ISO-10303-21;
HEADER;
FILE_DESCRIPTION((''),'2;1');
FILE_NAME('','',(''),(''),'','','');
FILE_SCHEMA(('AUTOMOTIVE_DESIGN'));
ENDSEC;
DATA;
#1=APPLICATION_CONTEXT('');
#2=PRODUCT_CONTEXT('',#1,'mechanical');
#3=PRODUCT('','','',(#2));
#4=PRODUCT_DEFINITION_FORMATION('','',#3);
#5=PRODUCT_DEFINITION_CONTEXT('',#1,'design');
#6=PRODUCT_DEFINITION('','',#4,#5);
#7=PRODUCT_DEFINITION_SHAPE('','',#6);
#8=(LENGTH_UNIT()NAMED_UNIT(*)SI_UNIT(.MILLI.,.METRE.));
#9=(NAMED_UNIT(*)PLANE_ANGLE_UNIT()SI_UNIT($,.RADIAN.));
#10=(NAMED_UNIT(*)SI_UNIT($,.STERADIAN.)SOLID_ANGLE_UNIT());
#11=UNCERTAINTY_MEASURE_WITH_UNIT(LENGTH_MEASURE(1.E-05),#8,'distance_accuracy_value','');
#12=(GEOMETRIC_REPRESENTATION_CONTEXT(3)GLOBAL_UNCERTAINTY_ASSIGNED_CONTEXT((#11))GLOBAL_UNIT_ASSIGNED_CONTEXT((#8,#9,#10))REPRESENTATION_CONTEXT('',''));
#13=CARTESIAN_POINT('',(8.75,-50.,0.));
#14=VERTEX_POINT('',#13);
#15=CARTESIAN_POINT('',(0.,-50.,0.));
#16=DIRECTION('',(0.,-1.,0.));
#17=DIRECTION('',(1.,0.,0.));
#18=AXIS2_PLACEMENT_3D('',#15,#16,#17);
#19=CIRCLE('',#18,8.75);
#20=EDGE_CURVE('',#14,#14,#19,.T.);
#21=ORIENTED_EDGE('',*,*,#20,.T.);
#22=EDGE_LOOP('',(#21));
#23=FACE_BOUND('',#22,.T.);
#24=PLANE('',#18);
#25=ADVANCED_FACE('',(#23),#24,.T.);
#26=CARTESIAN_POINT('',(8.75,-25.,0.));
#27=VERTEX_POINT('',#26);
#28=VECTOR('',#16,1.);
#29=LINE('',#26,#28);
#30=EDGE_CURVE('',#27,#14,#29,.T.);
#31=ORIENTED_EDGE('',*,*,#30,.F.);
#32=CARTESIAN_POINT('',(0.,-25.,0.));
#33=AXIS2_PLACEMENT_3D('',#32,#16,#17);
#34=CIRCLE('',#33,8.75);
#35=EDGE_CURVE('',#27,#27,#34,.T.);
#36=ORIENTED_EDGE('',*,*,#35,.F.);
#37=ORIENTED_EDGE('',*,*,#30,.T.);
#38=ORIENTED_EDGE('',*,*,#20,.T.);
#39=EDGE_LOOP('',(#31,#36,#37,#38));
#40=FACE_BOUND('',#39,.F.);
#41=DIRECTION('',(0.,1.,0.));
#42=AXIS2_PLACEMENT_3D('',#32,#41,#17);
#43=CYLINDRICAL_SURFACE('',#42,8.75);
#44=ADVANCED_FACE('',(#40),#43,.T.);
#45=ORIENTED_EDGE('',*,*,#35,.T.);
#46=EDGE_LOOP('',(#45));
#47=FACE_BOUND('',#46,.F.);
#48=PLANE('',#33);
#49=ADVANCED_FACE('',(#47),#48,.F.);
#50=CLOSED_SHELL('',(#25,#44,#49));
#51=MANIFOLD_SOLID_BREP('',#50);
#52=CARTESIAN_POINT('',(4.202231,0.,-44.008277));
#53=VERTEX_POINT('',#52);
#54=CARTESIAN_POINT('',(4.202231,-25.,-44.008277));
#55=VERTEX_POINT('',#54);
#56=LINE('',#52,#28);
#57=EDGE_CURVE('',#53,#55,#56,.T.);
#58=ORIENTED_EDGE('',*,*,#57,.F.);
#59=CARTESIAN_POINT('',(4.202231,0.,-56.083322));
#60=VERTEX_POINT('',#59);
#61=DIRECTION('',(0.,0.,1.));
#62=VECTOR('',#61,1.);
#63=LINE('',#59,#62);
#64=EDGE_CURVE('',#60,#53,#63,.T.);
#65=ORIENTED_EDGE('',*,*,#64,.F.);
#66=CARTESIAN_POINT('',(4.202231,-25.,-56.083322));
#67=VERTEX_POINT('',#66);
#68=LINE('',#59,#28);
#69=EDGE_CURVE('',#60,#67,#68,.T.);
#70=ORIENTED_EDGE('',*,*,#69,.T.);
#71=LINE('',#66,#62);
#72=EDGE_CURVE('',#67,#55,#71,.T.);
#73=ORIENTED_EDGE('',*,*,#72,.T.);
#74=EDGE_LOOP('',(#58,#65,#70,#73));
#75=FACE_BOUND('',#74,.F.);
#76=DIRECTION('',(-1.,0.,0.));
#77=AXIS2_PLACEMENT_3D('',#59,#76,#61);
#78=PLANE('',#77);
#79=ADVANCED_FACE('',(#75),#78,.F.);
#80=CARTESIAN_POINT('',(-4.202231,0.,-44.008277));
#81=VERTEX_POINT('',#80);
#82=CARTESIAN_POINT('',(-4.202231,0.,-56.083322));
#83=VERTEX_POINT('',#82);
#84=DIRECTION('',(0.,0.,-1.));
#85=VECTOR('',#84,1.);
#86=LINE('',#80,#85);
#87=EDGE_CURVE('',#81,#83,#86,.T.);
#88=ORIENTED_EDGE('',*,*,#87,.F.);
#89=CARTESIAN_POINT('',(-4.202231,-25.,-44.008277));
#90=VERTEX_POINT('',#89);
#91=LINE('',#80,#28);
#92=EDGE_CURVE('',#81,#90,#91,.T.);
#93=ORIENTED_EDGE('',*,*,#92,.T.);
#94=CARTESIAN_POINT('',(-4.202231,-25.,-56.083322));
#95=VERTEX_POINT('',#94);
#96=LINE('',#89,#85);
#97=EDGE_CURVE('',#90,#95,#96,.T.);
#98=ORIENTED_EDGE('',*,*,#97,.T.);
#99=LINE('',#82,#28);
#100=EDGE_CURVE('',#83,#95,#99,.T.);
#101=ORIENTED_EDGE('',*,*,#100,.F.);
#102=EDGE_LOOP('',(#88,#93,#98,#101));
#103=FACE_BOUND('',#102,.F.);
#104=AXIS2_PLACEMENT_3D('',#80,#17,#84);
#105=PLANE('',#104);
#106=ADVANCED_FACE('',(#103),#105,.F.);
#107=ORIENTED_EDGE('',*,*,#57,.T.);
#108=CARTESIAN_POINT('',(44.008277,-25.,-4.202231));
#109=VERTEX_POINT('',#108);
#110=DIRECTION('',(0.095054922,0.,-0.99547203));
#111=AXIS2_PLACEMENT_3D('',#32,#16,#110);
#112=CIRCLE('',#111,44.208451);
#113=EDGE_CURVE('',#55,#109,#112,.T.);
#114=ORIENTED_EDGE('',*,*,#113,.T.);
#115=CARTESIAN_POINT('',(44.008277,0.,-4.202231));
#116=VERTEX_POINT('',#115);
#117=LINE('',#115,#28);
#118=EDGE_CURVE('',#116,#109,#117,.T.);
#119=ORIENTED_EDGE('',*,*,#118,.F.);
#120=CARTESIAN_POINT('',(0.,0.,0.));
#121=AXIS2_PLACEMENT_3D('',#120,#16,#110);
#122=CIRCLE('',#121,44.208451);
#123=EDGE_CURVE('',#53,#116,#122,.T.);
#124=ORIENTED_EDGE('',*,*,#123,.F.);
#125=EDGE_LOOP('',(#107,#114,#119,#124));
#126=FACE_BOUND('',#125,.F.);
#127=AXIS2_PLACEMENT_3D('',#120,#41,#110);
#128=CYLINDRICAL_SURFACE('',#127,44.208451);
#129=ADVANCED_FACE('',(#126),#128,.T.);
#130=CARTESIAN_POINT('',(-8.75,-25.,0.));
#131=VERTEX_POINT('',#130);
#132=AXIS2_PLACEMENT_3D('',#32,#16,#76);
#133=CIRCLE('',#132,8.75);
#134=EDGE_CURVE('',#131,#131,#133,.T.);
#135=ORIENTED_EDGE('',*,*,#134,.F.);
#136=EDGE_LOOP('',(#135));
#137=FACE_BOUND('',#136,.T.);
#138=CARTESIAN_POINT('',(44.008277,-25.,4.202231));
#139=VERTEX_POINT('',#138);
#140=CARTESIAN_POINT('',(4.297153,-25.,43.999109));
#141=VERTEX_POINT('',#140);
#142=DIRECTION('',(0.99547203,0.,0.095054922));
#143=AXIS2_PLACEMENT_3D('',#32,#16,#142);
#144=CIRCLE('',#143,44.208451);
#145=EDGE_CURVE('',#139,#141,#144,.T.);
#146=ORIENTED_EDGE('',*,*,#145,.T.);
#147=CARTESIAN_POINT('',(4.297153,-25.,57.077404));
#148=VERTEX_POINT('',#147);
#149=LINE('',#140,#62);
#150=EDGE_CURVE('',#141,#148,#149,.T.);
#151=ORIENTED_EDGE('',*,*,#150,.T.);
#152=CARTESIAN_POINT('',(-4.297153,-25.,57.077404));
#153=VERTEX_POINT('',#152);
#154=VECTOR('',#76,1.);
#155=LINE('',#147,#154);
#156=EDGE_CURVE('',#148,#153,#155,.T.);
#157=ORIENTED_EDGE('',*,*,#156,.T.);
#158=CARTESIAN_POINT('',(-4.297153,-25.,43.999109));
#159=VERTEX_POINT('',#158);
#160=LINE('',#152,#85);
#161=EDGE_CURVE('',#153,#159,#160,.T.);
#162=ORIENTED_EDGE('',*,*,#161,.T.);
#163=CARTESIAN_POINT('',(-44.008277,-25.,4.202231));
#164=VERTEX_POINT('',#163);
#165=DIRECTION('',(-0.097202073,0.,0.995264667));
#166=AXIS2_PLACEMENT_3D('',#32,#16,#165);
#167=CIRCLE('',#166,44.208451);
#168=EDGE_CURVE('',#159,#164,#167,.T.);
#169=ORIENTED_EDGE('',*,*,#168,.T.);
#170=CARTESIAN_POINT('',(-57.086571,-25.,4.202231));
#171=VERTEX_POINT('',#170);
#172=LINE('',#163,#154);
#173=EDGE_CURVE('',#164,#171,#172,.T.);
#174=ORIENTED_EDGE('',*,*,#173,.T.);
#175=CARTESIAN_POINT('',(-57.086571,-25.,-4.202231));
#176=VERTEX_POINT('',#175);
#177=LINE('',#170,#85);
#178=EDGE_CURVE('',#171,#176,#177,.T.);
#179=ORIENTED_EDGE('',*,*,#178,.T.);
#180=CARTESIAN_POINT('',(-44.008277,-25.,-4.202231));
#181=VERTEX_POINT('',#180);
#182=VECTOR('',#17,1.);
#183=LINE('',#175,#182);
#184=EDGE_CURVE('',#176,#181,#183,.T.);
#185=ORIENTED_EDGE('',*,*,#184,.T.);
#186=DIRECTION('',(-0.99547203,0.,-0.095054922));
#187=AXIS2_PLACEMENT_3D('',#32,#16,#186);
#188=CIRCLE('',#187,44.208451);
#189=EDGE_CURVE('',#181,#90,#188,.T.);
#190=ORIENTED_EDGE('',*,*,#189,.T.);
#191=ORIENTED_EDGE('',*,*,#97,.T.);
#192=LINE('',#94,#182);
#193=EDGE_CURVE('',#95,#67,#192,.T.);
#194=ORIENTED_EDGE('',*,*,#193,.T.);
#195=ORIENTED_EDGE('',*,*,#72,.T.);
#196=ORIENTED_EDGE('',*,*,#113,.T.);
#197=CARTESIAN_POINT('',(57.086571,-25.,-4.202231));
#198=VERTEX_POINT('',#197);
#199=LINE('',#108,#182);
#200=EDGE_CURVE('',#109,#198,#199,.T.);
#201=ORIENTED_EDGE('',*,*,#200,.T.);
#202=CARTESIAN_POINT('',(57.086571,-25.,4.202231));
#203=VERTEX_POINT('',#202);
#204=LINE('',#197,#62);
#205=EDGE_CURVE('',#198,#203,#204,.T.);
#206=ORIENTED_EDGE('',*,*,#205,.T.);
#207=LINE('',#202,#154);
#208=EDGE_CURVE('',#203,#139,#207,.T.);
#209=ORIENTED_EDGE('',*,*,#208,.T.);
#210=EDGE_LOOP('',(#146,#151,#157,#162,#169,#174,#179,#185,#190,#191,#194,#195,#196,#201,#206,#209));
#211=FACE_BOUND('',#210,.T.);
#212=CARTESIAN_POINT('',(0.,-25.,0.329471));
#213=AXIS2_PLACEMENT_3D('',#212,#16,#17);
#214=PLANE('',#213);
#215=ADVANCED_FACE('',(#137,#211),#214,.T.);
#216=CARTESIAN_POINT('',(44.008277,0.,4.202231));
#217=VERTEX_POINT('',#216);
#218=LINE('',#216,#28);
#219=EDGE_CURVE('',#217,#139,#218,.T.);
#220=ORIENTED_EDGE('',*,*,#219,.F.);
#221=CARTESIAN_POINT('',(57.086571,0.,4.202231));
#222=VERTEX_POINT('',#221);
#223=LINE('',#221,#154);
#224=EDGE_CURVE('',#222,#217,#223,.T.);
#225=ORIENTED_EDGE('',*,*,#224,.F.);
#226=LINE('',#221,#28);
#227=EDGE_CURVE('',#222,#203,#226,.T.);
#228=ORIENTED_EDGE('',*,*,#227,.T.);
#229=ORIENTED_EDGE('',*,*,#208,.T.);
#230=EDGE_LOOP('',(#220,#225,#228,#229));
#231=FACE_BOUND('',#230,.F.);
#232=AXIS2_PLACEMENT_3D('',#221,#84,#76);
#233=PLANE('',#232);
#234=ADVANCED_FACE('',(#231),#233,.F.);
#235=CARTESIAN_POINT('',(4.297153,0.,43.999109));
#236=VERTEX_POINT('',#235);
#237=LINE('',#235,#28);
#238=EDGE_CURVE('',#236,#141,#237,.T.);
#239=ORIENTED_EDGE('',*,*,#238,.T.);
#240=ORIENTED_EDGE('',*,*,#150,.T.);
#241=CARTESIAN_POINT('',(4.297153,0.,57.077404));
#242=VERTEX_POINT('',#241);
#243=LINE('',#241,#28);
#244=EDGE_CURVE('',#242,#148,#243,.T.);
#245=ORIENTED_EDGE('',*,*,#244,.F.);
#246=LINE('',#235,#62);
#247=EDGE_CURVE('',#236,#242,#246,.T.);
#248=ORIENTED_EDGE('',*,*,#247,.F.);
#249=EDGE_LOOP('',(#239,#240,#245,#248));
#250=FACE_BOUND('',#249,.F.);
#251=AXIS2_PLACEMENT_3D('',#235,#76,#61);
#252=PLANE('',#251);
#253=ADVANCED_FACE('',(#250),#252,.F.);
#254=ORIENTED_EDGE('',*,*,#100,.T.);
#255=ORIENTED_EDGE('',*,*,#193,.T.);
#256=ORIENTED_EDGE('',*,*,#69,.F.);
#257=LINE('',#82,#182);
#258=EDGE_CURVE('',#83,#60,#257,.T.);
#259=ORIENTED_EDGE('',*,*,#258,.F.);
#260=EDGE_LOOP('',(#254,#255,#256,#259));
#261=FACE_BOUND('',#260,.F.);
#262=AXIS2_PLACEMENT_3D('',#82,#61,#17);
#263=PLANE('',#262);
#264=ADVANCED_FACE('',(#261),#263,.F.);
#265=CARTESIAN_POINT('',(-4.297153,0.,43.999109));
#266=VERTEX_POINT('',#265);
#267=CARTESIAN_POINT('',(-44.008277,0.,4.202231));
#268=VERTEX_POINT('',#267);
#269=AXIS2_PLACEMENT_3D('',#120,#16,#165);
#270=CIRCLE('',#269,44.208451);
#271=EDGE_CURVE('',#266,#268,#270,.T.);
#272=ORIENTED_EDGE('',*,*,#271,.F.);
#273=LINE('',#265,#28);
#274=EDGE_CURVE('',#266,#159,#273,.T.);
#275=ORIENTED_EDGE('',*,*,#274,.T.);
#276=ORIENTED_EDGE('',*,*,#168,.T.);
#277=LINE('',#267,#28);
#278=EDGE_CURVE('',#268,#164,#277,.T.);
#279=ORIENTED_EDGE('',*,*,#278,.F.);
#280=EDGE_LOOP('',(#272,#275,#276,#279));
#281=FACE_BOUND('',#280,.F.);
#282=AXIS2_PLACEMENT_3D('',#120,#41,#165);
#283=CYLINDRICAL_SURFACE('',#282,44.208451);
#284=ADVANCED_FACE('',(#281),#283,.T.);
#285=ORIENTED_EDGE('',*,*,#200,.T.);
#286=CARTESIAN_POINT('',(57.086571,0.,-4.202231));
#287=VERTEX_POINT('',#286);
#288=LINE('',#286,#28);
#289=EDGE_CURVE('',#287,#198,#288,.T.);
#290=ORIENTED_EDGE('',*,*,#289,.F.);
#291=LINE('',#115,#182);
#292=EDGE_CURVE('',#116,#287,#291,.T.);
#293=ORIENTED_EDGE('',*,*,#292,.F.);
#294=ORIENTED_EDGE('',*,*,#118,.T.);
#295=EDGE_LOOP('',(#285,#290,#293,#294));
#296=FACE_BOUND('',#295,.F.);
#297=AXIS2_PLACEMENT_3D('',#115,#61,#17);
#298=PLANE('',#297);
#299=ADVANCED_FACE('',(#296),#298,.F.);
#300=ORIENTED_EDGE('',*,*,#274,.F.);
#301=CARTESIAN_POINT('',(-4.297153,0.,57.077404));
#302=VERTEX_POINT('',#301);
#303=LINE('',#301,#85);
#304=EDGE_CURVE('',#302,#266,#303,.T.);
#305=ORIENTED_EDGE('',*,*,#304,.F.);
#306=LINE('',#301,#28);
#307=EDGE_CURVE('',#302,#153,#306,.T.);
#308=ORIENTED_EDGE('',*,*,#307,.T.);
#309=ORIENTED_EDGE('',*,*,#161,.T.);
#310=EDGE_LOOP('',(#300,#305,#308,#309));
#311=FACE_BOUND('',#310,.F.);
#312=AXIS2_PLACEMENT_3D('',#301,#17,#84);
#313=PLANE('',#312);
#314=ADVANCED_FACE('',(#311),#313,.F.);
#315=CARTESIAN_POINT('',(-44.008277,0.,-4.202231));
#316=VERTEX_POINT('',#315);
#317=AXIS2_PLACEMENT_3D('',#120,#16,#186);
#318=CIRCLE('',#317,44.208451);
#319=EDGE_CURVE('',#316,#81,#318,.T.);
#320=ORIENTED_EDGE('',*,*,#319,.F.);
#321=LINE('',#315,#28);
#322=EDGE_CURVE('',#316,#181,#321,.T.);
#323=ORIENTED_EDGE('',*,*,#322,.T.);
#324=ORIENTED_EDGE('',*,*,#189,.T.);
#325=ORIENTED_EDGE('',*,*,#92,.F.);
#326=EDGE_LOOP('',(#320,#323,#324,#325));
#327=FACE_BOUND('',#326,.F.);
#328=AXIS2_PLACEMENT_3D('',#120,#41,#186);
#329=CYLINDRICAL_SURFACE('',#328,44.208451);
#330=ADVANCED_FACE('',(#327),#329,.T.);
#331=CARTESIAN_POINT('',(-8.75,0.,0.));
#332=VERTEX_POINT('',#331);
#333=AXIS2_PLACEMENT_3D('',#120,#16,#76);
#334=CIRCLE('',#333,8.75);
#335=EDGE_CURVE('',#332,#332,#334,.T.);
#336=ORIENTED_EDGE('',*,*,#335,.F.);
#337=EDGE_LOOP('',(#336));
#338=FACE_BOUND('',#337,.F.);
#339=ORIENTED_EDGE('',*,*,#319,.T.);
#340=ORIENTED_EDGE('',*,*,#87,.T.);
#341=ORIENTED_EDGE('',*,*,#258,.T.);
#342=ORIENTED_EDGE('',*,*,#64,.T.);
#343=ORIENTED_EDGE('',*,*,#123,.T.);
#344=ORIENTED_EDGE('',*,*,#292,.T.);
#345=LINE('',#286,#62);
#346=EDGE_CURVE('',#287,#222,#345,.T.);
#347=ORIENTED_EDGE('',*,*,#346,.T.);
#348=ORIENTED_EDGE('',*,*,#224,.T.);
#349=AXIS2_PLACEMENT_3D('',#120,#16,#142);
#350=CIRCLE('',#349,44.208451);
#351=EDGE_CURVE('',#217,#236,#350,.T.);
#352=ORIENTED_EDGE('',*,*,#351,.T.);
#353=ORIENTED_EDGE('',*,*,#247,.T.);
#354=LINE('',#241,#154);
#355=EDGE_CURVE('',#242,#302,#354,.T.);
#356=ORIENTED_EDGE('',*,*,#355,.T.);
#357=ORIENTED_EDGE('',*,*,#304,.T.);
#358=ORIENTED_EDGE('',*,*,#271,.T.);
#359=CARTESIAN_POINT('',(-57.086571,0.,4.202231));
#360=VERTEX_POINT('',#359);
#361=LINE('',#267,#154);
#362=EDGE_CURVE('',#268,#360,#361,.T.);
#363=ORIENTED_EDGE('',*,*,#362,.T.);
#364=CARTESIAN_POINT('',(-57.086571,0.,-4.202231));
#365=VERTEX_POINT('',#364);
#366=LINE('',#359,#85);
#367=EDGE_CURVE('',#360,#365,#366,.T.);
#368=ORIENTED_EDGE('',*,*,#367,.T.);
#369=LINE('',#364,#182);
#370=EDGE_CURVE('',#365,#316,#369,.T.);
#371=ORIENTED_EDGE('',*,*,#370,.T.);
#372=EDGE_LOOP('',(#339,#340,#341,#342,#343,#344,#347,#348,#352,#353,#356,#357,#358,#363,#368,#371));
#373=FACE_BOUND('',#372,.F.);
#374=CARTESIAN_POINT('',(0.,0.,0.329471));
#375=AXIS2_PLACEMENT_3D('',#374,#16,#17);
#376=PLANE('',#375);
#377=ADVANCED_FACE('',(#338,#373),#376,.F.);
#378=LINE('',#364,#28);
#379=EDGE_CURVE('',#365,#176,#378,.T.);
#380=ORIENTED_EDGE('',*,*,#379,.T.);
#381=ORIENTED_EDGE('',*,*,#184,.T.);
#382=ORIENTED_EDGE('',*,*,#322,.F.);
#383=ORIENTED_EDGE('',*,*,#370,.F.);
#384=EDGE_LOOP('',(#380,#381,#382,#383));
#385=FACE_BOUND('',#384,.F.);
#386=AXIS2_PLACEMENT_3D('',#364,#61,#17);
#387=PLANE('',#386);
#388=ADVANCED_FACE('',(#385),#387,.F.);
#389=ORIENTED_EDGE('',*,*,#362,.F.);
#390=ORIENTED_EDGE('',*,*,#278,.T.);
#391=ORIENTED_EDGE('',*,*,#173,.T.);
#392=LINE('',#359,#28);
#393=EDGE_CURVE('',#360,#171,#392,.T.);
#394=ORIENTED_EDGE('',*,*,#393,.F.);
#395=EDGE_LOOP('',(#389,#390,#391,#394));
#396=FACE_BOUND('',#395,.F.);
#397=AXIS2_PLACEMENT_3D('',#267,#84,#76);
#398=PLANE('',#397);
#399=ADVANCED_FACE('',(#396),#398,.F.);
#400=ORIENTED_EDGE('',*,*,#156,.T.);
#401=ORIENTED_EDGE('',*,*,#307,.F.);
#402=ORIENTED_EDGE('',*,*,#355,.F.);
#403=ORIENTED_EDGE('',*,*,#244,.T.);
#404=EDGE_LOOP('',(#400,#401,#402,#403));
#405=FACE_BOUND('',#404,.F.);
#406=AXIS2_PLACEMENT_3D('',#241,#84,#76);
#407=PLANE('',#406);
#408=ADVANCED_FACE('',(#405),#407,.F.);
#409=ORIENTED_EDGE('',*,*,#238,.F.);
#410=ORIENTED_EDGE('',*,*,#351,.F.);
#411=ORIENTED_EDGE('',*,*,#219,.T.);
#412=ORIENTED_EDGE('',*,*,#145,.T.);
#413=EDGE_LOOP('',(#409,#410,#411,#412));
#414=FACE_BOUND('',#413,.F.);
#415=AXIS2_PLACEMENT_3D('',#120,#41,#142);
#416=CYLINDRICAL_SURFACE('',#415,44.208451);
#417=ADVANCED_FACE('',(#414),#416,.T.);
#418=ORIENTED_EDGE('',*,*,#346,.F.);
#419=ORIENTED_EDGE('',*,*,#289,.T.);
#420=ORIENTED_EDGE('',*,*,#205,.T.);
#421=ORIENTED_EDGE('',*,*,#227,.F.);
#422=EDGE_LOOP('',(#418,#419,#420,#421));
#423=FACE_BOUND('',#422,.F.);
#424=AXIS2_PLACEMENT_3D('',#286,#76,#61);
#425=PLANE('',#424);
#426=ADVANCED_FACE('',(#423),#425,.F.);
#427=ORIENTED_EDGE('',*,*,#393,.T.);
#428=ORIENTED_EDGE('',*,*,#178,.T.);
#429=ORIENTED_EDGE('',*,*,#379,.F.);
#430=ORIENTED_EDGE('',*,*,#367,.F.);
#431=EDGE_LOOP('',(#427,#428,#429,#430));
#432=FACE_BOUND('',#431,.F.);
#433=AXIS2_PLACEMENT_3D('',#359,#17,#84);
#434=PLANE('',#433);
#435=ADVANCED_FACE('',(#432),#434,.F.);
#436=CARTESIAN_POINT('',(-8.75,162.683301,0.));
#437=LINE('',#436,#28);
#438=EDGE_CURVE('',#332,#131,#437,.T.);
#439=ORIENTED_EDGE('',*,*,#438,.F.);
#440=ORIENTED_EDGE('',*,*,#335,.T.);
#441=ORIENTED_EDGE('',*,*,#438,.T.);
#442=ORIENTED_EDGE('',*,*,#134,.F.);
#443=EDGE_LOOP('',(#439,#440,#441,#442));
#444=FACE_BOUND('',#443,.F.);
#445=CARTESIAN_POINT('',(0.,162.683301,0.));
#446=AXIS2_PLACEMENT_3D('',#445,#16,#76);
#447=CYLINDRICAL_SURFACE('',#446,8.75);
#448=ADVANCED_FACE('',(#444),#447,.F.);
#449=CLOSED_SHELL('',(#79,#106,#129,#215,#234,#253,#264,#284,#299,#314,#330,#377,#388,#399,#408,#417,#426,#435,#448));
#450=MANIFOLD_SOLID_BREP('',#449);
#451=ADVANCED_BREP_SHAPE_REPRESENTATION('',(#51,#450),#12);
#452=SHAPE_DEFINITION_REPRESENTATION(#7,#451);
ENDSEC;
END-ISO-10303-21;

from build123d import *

# Parameters (mm, degrees)
F1_DEPTH = 25
F2_D     = 17.5
F3_R     = 8.75
F4_DEPTH = 25


with BuildPart() as f1:
    # F0 (on Front) → F1 (new body)
    with BuildSketch(Plane.XZ):
        with BuildLine():
            Line((4.2971530929, 43.9991094172), (4.2971530929, 57.0774041116))
            Line((4.2971530929, 57.0774041116), (-4.2971530929, 57.0774041116))
            Line((-4.2971530929, 57.0774041116), (-4.2971530929, 43.9991094172))
            ThreePointArc((-4.2971530929, 43.9991094172), (-31.2937936408, 31.2263611998), (-44.0082766083, 4.2022308573))
            Line((-44.0082766083, 4.2022308573), (-57.0865713027, 4.2022308573))
            Line((-57.0865713027, 4.2022308573), (-57.0865713027, -4.2022308573))
            Line((-57.0865713027, -4.2022308573), (-44.0082766083, -4.2022308573))
            ThreePointArc((-44.0082766083, -4.2022308573), (-31.2600956029, -31.2600956029), (-4.2022308573, -44.0082766083))
            Line((-4.2022308573, -44.0082766083), (-4.2022308573, -56.0833216488))
            Line((-4.2022308573, -56.0833216488), (4.2022308573, -56.0833216488))
            Line((4.2022308573, -56.0833216488), (4.2022308573, -44.0082766083))
            ThreePointArc((4.2022308573, -44.0082766083), (31.2600956029, -31.2600956029), (44.0082766083, -4.2022308573))
            Line((44.0082766083, -4.2022308573), (57.0865713027, -4.2022308573))
            Line((57.0865713027, -4.2022308573), (57.0865713027, 4.2022308573))
            Line((57.0865713027, 4.2022308573), (44.0082766083, 4.2022308573))
            ThreePointArc((44.0082766083, 4.2022308573), (31.2937936408, 31.2263611998), (4.2971530929, 43.9991094172))
        make_face()
    extrude(amount=F1_DEPTH)

    # F2 (through all)
    with Locations(Plane(origin=(0, 0, 0), x_dir=(1, 0, 0), z_dir=(0, 1, 0))):
        with Locations((0, 0)):
            Hole(F2_D / 2)


with BuildPart() as f4:
    # F3 (on face) → F4 (new body)
    with BuildSketch(Plane.XZ.offset(25)):
        Circle(F3_R)
    extrude(amount=F4_DEPTH)


solid = Compound([f1.part, f4.part])
